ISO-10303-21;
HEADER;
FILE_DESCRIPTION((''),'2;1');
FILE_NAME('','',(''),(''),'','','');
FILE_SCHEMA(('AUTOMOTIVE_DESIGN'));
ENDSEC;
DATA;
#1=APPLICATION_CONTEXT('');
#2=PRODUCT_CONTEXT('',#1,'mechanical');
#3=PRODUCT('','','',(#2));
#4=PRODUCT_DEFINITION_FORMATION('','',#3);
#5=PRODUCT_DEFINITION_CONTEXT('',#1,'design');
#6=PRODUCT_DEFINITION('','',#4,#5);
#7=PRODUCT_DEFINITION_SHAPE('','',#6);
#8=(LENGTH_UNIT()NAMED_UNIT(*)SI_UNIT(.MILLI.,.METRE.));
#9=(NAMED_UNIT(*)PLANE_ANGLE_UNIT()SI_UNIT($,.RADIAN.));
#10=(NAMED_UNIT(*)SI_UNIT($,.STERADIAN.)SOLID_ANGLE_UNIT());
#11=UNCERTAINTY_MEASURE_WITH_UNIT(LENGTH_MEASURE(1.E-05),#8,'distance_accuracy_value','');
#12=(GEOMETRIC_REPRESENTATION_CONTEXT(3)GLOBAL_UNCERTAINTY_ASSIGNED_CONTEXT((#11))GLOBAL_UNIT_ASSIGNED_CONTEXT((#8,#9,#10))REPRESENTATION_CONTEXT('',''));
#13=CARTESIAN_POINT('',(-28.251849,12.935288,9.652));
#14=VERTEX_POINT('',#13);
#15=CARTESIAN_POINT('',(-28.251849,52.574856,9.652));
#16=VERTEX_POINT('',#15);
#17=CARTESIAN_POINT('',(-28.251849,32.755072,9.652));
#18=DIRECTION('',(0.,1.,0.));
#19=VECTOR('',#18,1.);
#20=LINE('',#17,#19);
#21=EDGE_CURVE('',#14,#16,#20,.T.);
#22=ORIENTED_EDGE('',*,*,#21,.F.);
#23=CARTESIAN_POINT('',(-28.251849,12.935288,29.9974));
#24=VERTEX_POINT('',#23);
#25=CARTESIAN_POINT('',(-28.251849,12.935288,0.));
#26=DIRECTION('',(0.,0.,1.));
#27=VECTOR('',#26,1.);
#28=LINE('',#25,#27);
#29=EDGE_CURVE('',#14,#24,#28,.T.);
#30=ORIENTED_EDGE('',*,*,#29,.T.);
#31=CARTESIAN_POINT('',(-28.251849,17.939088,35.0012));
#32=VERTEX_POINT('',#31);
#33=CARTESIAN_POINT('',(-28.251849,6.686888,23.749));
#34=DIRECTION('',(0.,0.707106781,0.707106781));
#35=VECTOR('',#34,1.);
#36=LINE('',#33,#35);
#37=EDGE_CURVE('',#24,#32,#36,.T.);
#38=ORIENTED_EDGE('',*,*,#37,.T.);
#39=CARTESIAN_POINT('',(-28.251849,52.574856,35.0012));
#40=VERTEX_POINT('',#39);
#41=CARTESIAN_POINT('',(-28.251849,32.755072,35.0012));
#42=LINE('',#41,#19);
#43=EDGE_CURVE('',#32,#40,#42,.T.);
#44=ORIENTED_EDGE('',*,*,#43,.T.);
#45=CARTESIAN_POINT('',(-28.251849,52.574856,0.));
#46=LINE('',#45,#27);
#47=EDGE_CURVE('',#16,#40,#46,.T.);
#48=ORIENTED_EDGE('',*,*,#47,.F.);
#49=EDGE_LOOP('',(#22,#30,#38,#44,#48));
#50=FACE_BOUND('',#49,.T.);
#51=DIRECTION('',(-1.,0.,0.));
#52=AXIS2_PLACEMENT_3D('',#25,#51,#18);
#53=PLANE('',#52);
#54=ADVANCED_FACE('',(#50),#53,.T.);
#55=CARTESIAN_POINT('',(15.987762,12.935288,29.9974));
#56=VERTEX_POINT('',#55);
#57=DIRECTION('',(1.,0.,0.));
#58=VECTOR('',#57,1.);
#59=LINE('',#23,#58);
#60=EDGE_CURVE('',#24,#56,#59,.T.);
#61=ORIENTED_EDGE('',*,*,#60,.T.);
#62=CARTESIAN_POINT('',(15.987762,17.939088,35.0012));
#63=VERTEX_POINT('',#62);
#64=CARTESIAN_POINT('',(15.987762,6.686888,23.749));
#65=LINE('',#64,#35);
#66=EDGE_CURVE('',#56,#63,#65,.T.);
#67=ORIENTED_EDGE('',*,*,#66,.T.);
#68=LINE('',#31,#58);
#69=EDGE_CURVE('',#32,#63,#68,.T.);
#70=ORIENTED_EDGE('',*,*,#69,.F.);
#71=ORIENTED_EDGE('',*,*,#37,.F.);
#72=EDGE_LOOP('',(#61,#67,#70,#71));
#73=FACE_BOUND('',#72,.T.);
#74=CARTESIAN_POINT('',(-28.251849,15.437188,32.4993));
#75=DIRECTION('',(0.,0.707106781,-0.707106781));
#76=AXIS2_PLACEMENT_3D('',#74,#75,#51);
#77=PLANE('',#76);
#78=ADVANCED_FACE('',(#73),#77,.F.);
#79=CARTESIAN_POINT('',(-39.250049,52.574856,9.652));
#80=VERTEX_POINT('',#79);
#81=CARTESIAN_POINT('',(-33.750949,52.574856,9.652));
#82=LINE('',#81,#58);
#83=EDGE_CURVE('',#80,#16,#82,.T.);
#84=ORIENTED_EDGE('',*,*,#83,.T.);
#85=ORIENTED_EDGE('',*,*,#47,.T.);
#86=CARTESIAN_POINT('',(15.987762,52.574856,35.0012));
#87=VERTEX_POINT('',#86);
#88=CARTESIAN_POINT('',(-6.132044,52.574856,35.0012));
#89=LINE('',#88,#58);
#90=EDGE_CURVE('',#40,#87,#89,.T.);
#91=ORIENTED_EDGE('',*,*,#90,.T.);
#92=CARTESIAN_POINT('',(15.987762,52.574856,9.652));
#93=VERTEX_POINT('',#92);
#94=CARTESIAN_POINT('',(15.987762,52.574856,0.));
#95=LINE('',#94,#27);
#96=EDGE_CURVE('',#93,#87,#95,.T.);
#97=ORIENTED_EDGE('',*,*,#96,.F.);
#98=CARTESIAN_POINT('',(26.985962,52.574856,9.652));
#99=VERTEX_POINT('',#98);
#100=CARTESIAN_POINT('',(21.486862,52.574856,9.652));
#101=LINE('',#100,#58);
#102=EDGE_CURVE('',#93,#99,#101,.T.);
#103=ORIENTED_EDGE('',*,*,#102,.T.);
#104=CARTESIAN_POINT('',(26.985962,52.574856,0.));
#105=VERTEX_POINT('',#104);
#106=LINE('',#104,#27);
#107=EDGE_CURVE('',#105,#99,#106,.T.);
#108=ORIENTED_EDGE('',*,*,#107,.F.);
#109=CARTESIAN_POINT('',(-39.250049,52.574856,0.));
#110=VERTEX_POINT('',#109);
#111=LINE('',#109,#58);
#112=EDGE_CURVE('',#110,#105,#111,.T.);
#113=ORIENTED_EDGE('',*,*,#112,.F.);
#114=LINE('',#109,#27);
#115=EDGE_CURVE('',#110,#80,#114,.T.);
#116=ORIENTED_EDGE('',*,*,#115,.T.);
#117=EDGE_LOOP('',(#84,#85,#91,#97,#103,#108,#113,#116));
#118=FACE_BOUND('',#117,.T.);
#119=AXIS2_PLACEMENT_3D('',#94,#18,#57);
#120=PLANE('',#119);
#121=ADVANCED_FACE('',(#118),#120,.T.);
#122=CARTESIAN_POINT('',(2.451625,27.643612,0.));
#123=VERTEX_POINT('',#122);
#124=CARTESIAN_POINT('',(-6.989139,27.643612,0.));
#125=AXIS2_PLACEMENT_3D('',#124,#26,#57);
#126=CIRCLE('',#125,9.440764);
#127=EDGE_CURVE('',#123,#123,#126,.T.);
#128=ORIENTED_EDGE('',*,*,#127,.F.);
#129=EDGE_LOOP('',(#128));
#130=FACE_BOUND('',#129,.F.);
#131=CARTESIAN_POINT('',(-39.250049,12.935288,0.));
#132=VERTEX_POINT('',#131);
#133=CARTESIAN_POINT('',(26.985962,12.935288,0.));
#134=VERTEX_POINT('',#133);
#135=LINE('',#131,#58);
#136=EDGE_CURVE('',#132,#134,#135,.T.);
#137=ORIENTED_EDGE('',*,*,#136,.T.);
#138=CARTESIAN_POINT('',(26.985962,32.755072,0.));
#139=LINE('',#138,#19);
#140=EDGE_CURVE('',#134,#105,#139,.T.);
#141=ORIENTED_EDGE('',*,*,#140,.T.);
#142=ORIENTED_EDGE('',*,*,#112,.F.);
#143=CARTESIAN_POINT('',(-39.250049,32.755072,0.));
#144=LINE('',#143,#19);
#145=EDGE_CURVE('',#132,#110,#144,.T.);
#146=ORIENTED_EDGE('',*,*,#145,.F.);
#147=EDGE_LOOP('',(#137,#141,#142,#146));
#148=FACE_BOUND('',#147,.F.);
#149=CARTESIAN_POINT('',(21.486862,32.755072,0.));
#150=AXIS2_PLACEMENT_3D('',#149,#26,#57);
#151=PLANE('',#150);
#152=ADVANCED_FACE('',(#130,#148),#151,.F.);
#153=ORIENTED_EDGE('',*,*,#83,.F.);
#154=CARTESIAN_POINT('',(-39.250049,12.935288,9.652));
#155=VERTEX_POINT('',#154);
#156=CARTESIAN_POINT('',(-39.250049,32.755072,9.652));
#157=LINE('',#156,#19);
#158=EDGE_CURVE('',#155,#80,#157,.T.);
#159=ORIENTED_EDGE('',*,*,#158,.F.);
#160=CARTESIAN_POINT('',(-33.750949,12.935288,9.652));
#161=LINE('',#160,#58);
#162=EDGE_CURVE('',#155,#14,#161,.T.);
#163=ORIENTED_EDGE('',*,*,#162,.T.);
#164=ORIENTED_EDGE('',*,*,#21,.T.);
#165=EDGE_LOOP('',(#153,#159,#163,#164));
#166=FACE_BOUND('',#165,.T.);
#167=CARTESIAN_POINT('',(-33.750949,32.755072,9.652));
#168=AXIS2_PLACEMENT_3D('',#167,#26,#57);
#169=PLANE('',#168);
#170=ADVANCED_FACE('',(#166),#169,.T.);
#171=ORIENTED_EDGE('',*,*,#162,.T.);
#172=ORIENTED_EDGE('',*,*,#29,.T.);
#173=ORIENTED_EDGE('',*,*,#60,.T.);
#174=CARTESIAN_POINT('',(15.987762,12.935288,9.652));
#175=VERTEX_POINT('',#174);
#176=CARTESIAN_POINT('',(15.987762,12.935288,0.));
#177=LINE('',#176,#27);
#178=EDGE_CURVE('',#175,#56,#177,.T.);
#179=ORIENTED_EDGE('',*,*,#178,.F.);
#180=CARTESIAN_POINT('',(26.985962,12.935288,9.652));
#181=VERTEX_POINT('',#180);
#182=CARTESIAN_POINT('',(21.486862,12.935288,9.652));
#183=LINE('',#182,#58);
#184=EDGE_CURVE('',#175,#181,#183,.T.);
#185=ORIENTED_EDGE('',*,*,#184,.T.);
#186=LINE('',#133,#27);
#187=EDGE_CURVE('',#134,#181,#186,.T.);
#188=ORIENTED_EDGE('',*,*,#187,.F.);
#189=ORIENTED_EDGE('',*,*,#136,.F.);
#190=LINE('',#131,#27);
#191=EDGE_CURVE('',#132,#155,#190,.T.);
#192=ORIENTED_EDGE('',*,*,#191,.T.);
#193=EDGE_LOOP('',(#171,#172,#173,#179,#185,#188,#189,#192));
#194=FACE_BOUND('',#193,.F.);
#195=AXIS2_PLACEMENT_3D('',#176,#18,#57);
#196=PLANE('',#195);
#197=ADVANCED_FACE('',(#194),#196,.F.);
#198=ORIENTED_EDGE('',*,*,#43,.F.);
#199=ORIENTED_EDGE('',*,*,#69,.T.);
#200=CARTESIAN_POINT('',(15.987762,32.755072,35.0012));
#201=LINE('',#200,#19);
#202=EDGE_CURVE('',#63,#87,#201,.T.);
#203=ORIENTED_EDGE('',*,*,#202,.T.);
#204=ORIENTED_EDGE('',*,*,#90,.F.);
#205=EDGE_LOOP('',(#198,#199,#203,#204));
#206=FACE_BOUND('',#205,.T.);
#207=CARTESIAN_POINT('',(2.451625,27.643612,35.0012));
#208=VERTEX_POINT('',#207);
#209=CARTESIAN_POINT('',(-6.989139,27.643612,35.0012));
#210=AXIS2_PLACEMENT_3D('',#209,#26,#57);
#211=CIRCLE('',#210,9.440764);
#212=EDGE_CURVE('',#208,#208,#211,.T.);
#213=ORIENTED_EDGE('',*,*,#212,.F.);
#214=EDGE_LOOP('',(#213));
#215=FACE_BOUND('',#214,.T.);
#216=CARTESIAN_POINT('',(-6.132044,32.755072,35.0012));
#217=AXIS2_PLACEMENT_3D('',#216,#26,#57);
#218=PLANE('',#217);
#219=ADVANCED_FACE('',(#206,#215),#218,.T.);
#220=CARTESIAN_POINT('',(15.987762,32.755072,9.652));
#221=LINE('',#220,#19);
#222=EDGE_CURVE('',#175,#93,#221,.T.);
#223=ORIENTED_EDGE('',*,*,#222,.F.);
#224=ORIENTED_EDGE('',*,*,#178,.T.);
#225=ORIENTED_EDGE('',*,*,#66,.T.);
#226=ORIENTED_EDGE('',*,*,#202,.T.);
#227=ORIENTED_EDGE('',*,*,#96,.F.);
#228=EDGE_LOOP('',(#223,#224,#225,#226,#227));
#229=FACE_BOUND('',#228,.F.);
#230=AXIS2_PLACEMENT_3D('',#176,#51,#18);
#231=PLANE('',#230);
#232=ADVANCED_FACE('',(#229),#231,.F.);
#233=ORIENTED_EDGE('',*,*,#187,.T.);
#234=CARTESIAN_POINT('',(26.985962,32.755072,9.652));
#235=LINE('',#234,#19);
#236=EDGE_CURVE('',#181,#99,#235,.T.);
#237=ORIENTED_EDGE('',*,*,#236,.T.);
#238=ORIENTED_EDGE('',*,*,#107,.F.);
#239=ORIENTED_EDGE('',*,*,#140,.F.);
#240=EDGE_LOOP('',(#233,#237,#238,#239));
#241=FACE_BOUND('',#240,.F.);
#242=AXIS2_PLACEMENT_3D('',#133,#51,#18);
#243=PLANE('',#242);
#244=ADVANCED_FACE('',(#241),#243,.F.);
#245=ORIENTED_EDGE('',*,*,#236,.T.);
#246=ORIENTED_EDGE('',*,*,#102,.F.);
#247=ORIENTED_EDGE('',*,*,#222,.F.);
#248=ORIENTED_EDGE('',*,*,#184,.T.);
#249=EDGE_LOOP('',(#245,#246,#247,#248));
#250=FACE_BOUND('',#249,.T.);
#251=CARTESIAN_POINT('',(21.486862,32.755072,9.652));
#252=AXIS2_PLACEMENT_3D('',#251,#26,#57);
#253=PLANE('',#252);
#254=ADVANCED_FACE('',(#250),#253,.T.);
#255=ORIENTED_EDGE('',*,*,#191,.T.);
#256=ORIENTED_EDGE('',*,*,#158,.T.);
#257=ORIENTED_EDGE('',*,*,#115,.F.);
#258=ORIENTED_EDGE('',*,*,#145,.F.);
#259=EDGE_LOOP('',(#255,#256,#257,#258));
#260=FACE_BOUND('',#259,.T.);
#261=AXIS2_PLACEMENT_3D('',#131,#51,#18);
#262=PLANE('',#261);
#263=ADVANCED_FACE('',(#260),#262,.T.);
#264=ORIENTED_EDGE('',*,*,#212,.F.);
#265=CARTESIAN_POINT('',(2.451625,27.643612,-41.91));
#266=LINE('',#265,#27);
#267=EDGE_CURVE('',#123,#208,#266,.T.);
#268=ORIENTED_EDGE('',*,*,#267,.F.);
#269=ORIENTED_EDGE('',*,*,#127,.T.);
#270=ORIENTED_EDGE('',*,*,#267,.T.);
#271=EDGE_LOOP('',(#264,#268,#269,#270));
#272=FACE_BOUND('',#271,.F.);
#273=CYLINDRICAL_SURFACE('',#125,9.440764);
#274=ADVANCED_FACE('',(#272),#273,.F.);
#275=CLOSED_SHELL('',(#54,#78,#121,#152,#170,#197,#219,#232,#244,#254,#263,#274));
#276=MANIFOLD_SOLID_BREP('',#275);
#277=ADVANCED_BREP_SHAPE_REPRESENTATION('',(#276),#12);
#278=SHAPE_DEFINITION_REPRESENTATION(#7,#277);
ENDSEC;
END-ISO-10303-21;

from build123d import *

# Parameters (mm, degrees)
F0_W     = 44.2396106267
F0_H     = 39.6395683834
F1_DEPTH = 35.0012
F0_W_2   = 10.9982
F2_DEPTH = 9.652
F3_SIZE  = 5.0038
F4_R     = 2.3661353078
F5_DEPTH = 12.7
F6_R     = 9.4407644239
F7_DEPTH = 41.91


with BuildPart() as f1:
    # F0 (on Top) → F1 (new body)
    with BuildSketch(Plane.XY):
        with Locations((-6.1320435831, 32.7550717629)):
            Rectangle(F0_W, F0_H)
    extrude(amount=F1_DEPTH)

    # F0 (on Top) → F2 (join)
    with BuildSketch(Plane.XY):
        with Locations((21.4868617302, 32.7550717629)):
            Rectangle(F0_W_2, F0_H)
        with Locations((-33.7509488964, 32.7550717629)):
            Rectangle(F0_W_2, F0_H)
    extrude(amount=F2_DEPTH)

    # F3
    f3_edges = [f1.edges().sort_by_distance(p)[0] for p in [
        (-6.132044, 12.935288, 35.0012),
    ]]
    chamfer(f3_edges, length=F3_SIZE)

    # F4 (on Right) → F5 (join, symmetric)
    with BuildSketch(Plane.YZ):
        with Locations((21.8015406281, 29.3079074472)):
            Circle(F4_R)
    extrude(amount=F5_DEPTH, both=True)

    # F6 (on Top) → F7 (cut, symmetric)
    with BuildSketch(Plane.XY):
        with Locations((-6.9891391322, 27.6436116546)):
            Circle(F6_R)
    extrude(amount=F7_DEPTH, both=True, mode=Mode.SUBTRACT)


solid = f1.part
